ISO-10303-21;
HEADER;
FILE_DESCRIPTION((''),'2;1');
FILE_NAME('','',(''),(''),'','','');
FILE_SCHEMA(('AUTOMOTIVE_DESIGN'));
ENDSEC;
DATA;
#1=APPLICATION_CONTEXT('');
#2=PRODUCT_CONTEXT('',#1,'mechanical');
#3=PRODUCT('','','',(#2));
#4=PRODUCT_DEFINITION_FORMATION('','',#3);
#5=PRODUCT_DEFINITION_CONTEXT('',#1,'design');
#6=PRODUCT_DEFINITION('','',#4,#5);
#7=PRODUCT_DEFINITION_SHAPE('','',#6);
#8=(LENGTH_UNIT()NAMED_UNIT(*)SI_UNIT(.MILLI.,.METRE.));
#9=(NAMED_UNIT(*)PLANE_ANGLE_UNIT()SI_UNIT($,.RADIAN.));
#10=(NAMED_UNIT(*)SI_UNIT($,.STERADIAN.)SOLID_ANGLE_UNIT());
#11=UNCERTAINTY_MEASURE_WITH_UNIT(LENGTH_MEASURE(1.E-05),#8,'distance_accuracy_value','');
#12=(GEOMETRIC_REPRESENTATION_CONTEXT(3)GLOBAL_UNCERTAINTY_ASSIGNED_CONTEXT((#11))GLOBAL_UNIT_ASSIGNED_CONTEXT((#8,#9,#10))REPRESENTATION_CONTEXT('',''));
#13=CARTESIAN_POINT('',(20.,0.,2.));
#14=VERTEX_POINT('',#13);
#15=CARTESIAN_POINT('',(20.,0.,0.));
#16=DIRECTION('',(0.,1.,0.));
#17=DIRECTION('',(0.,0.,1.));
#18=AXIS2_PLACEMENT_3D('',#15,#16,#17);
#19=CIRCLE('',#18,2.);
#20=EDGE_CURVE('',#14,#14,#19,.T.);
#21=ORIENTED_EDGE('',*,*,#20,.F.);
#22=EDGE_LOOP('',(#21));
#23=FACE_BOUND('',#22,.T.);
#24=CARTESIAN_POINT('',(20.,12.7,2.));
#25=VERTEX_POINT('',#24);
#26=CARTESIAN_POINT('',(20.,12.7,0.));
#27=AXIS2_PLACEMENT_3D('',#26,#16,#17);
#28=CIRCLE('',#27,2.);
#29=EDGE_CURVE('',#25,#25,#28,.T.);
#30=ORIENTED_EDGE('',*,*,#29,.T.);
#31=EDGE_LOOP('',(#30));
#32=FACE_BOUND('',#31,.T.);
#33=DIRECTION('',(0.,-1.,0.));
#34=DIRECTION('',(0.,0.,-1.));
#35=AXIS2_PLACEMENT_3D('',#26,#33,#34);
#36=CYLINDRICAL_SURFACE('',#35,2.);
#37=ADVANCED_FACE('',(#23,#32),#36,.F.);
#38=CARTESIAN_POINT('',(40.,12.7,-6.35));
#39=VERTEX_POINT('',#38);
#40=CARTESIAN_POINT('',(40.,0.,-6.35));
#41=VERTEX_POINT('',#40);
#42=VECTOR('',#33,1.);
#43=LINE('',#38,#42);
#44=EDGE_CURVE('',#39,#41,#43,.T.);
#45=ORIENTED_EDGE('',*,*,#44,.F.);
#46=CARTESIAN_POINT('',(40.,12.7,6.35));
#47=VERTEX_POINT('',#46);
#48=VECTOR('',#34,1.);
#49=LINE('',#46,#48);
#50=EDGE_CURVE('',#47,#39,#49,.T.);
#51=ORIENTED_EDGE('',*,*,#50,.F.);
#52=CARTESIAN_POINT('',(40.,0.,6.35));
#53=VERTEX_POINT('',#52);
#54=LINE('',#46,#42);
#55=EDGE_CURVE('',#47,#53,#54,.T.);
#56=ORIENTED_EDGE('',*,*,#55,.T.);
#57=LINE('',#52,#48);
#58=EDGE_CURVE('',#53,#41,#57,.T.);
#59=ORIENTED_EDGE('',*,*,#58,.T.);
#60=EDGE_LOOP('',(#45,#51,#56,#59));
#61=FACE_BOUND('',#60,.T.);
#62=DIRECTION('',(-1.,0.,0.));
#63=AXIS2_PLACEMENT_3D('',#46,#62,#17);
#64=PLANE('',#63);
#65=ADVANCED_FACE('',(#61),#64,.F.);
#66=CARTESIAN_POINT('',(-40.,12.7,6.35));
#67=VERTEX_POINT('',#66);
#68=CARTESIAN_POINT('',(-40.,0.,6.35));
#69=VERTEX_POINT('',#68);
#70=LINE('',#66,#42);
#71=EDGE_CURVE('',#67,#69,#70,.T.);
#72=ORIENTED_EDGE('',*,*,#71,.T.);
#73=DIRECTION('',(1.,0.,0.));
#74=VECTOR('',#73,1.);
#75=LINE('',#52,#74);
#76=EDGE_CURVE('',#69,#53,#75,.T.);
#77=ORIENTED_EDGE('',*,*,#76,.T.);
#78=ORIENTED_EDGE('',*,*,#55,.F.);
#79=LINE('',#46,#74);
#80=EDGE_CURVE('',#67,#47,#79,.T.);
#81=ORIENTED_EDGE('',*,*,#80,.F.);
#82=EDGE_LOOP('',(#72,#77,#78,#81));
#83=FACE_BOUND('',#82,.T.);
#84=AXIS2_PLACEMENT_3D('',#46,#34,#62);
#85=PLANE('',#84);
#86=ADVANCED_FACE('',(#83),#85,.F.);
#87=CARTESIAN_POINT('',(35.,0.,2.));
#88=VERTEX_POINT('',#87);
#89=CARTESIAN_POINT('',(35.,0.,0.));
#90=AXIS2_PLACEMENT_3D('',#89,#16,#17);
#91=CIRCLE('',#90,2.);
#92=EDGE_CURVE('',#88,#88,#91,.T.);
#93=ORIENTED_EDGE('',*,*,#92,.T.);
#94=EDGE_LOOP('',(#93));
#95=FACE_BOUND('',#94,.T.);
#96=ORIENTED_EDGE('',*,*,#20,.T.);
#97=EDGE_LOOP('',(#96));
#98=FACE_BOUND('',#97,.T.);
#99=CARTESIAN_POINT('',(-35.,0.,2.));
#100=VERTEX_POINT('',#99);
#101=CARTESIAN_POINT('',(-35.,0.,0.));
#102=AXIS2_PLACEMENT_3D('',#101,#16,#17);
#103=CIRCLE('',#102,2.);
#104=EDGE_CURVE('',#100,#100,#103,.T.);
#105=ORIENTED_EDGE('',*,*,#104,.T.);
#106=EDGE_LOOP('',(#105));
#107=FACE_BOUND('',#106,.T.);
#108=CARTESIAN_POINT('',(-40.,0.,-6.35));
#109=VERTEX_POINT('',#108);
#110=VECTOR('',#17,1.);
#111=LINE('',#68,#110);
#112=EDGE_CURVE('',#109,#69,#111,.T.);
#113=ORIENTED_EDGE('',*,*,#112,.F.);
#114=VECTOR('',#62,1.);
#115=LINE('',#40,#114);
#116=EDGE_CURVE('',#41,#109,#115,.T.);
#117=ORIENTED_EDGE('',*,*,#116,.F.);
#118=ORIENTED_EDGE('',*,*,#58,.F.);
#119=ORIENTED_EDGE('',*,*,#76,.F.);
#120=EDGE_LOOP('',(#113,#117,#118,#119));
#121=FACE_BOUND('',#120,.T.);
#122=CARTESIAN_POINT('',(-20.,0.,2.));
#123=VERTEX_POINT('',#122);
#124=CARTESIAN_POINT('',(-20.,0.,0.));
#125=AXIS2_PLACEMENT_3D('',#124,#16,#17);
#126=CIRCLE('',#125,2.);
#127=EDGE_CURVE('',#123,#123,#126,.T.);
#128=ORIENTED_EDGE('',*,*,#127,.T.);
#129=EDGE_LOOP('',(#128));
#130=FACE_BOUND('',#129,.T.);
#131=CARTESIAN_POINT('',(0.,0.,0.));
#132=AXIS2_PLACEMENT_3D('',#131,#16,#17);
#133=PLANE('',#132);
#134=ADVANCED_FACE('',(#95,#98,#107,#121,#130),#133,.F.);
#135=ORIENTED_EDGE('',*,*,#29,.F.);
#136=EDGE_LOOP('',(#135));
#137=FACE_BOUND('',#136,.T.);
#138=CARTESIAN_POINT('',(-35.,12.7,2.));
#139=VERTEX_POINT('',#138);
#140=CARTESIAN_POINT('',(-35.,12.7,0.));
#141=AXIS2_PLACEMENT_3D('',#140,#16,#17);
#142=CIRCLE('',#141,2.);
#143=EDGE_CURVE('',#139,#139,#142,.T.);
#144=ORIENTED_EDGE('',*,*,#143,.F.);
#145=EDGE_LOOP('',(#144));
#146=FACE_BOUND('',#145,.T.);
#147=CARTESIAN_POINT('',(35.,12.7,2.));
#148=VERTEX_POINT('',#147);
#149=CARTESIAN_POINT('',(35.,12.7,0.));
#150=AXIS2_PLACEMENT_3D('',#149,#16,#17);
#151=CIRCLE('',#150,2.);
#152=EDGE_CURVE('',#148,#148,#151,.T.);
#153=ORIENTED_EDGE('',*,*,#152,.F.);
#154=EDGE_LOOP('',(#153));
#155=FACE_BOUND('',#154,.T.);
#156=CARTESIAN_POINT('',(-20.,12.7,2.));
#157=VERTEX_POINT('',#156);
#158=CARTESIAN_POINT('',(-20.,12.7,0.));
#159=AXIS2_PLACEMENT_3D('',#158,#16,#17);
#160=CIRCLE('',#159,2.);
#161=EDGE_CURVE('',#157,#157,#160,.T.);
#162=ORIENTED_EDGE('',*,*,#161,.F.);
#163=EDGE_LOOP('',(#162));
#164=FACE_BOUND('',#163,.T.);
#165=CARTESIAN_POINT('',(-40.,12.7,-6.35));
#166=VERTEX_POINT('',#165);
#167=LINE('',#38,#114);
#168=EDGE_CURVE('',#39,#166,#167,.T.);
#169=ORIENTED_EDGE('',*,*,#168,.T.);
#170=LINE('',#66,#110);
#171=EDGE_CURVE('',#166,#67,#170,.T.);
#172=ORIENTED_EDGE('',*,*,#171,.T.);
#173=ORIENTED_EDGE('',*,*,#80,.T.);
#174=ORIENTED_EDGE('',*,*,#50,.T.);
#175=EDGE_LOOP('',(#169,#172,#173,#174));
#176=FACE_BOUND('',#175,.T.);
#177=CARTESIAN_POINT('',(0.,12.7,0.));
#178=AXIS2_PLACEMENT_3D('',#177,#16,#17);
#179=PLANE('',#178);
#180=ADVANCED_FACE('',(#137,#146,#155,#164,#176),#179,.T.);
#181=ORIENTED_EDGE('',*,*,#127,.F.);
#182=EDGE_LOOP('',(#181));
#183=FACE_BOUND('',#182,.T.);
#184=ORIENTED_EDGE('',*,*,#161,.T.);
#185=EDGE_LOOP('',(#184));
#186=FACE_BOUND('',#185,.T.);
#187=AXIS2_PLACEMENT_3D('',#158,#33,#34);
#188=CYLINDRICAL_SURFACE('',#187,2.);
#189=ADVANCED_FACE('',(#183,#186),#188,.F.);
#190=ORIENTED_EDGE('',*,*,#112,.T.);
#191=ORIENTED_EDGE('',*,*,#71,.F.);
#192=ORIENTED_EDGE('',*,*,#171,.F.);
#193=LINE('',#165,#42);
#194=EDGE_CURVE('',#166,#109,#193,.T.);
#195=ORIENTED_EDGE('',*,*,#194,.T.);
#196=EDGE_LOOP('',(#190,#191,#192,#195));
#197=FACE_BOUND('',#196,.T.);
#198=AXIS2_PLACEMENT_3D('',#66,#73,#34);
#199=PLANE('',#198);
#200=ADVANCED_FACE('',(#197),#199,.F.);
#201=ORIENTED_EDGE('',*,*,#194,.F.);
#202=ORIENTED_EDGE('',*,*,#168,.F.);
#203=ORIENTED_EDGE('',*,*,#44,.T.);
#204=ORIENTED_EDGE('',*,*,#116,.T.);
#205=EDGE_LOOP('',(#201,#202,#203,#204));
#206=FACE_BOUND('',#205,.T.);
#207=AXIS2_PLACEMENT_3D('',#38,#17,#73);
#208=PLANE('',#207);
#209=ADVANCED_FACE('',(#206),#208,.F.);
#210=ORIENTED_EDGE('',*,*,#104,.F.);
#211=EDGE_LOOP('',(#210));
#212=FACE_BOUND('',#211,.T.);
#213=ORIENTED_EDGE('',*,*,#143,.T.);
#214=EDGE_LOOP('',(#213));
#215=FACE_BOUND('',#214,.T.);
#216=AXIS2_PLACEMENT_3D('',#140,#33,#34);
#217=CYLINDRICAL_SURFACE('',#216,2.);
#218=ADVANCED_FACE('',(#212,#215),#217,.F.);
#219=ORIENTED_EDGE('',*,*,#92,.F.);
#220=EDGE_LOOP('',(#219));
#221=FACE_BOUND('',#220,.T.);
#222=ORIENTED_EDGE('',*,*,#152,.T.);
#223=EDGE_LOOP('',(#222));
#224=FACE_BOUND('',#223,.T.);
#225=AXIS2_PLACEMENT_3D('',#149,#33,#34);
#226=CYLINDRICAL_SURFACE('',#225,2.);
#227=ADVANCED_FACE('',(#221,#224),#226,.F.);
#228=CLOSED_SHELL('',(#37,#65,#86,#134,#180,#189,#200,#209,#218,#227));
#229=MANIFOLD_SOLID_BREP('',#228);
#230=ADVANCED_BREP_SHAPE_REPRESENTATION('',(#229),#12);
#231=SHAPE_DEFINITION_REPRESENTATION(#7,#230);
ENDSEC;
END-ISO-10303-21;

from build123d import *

# Parameters (mm, degrees)
SKETCH1_W           = 80
SKETCH1_H           = 12.7
SKETCH1_R           = 2
BOSS_EXTRUDE1_DEPTH = 12.7


with BuildPart() as part:
    # Sketch1 → Boss-Extrude1 (new body)
    with BuildSketch(Plane(origin=(0, 0, 0), x_dir=(1, 0, 0), z_dir=(0, 1, 0))):
        Rectangle(SKETCH1_W, SKETCH1_H)
        with Locations((-35, 0)):
            Circle(SKETCH1_R, mode=Mode.SUBTRACT)
        with Locations((35, 0)):
            Circle(SKETCH1_R, mode=Mode.SUBTRACT)
        with Locations((20, 0)):
            Circle(SKETCH1_R, mode=Mode.SUBTRACT)
        with Locations((-20, 0)):
            Circle(SKETCH1_R, mode=Mode.SUBTRACT)
    extrude(amount=BOSS_EXTRUDE1_DEPTH)


solid = part.part
